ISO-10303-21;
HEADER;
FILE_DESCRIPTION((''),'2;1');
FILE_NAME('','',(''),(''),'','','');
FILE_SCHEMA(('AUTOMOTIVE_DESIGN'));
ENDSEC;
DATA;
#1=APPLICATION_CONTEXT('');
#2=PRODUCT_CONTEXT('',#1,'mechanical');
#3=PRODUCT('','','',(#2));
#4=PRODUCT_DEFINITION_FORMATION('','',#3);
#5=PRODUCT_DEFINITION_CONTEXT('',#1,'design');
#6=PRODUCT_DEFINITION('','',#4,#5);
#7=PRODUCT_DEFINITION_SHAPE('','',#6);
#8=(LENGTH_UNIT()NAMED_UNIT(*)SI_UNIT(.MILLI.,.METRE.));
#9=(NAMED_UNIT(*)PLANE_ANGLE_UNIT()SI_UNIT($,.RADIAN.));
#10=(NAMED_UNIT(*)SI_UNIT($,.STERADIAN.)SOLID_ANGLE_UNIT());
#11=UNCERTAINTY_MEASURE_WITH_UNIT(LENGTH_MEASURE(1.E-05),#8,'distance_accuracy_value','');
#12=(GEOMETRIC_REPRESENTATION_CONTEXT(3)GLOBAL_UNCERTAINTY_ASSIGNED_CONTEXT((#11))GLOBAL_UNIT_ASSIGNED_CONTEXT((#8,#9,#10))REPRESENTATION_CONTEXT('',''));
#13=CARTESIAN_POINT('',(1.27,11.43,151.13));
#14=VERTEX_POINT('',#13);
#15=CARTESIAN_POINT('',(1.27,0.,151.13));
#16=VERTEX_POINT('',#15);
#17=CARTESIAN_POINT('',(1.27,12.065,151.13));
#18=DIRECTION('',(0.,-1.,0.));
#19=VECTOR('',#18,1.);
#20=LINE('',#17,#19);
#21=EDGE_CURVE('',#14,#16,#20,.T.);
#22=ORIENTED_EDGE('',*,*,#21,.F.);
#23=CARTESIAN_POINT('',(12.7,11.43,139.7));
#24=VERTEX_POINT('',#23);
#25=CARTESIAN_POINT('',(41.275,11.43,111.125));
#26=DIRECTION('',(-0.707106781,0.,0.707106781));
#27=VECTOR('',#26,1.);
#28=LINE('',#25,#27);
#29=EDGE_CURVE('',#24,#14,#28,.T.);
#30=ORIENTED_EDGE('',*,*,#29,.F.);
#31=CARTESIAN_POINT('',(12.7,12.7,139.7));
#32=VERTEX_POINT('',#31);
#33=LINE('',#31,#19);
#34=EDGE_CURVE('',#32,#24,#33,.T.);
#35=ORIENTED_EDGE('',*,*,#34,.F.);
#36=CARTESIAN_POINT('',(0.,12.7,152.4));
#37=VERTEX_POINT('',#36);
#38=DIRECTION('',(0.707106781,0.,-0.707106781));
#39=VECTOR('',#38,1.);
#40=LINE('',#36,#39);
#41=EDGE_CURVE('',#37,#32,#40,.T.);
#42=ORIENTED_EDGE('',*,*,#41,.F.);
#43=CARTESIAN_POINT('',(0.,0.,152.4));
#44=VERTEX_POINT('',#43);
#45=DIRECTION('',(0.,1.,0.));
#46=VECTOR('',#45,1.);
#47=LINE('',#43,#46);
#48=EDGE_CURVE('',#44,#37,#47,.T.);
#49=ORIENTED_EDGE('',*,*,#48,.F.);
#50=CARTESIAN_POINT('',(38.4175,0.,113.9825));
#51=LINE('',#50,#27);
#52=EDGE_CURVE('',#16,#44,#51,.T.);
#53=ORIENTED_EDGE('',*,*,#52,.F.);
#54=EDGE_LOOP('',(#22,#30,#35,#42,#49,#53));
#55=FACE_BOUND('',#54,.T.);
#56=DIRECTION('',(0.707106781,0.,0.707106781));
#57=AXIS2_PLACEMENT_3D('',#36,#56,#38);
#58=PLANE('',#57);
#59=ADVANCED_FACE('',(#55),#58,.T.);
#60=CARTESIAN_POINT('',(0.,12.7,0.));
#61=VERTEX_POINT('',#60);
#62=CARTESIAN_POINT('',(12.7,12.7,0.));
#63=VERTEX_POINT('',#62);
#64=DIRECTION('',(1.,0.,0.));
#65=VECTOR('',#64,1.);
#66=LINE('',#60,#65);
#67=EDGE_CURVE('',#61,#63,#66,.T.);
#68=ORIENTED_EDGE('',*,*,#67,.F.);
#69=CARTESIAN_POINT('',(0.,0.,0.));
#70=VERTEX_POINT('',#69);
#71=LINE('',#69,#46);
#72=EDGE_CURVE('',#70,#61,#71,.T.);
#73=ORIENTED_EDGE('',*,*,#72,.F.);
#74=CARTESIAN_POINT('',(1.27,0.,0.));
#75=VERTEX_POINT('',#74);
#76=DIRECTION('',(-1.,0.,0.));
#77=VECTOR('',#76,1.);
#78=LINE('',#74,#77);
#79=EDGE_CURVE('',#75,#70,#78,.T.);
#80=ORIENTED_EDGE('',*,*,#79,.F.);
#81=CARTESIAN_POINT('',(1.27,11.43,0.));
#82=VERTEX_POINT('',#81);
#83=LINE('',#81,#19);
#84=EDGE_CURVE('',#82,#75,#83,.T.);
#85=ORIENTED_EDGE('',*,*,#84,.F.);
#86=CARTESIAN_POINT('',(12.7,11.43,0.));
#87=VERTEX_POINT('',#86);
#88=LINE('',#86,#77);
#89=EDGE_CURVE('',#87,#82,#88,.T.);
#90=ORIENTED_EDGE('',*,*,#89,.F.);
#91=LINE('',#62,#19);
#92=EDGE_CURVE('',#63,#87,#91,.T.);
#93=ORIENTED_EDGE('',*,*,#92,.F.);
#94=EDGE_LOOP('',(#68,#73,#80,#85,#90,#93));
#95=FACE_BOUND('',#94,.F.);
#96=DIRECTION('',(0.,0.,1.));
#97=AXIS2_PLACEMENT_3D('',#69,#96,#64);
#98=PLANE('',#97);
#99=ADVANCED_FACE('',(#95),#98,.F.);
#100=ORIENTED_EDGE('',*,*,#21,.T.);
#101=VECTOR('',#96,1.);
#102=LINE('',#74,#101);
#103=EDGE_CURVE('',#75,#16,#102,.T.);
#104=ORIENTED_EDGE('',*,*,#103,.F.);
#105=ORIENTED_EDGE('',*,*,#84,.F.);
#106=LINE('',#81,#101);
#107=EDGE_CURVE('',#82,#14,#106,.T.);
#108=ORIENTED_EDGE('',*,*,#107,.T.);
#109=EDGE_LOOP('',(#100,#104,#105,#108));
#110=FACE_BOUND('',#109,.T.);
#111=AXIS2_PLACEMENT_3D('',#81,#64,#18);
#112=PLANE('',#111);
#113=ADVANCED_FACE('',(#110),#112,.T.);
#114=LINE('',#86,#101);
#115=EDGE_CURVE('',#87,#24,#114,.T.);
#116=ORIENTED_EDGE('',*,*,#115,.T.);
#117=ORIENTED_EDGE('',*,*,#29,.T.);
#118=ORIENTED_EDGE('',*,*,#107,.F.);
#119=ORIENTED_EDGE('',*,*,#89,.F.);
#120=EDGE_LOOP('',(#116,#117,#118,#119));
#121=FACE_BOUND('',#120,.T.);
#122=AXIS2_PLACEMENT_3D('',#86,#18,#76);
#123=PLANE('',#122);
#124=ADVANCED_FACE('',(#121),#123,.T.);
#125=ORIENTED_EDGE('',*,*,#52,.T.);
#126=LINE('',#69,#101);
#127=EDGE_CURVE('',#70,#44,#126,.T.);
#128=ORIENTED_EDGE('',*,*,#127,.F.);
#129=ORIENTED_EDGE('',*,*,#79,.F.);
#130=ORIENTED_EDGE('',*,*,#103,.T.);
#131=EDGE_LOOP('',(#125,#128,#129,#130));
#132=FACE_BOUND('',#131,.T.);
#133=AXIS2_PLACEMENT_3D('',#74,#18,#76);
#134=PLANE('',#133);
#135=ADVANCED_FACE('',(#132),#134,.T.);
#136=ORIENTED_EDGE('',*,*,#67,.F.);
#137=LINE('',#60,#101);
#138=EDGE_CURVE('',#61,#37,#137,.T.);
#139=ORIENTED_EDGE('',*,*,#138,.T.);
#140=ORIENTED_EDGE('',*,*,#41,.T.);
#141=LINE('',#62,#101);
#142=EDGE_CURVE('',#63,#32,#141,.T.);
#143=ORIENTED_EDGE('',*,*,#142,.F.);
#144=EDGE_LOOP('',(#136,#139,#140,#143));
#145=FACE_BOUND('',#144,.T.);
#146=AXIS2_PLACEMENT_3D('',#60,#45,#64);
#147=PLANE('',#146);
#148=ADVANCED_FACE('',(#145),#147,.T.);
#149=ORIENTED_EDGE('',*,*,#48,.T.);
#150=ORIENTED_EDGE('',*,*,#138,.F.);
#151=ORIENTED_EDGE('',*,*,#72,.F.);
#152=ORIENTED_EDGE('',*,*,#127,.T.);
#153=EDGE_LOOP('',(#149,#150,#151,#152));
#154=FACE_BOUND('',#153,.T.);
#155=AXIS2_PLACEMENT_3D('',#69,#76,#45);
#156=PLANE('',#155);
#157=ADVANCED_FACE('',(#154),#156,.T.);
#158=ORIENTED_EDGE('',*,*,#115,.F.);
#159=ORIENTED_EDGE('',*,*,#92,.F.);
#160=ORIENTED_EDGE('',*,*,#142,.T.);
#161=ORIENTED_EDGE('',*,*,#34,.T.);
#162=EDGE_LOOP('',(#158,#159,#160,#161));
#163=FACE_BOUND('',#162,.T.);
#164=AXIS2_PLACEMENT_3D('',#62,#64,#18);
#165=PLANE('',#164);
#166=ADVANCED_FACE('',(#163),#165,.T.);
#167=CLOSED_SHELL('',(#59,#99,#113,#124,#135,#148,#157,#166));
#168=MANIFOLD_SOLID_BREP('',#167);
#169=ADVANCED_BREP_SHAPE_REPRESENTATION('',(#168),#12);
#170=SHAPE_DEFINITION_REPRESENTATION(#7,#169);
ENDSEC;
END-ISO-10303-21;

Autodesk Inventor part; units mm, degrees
ref_plane "YZ Plane" through (0, 0, 0) normal (1, 0, 0) x (0, 1, 0)
ref_plane "XZ Plane" through (0, 0, 0) normal (0, 1, 0) x (-1, 0, 0)
ref_plane "XY Plane" through (0, 0, 0) normal (0, 0, 1) x (1, 0, 0)
sketch "Sketch1" plane through (0, 0, 0) normal (0, 0, 1) x (1, 0, 0)
  line L0 (0, 0) -> (0, 12.7)
  line L1 (0, 12.7) -> (12.7, 12.7)
  line L2 (12.7, 12.7) -> (12.7, 11.43)
  line L3 (12.7, 11.43) -> (1.27, 11.43)
  line L4 (1.27, 11.43) -> (1.27, 0)
  line L5 (1.27, 0) -> (0, 0)
  dimension "d0" = 12.7
  dimension "d1" = 12.7
  dimension "d2" = 1.27
  dimension "d3" = 11.43
extrude "Extrusion1" add sketch "Sketch1" along normal blind 152.4
sketch "Sketch3" plane through (0, 12.7, 0) normal (0, 1, 0) x (1, 0, 0)
  line L0 (12.7, -152.4) -> (0, -152.4) projected
  line L1 (12.7, 0) -> (12.7, -152.4) projected
  line L2 (0, -152.4) -> (12.7, -139.7)
  dimension "d10" = 45
extrude "Extrusion3" cut sketch "Sketch3" against normal blind 25.4
properties part number "Aluminum Angle 1 Right" material "Aluminum 6061"
